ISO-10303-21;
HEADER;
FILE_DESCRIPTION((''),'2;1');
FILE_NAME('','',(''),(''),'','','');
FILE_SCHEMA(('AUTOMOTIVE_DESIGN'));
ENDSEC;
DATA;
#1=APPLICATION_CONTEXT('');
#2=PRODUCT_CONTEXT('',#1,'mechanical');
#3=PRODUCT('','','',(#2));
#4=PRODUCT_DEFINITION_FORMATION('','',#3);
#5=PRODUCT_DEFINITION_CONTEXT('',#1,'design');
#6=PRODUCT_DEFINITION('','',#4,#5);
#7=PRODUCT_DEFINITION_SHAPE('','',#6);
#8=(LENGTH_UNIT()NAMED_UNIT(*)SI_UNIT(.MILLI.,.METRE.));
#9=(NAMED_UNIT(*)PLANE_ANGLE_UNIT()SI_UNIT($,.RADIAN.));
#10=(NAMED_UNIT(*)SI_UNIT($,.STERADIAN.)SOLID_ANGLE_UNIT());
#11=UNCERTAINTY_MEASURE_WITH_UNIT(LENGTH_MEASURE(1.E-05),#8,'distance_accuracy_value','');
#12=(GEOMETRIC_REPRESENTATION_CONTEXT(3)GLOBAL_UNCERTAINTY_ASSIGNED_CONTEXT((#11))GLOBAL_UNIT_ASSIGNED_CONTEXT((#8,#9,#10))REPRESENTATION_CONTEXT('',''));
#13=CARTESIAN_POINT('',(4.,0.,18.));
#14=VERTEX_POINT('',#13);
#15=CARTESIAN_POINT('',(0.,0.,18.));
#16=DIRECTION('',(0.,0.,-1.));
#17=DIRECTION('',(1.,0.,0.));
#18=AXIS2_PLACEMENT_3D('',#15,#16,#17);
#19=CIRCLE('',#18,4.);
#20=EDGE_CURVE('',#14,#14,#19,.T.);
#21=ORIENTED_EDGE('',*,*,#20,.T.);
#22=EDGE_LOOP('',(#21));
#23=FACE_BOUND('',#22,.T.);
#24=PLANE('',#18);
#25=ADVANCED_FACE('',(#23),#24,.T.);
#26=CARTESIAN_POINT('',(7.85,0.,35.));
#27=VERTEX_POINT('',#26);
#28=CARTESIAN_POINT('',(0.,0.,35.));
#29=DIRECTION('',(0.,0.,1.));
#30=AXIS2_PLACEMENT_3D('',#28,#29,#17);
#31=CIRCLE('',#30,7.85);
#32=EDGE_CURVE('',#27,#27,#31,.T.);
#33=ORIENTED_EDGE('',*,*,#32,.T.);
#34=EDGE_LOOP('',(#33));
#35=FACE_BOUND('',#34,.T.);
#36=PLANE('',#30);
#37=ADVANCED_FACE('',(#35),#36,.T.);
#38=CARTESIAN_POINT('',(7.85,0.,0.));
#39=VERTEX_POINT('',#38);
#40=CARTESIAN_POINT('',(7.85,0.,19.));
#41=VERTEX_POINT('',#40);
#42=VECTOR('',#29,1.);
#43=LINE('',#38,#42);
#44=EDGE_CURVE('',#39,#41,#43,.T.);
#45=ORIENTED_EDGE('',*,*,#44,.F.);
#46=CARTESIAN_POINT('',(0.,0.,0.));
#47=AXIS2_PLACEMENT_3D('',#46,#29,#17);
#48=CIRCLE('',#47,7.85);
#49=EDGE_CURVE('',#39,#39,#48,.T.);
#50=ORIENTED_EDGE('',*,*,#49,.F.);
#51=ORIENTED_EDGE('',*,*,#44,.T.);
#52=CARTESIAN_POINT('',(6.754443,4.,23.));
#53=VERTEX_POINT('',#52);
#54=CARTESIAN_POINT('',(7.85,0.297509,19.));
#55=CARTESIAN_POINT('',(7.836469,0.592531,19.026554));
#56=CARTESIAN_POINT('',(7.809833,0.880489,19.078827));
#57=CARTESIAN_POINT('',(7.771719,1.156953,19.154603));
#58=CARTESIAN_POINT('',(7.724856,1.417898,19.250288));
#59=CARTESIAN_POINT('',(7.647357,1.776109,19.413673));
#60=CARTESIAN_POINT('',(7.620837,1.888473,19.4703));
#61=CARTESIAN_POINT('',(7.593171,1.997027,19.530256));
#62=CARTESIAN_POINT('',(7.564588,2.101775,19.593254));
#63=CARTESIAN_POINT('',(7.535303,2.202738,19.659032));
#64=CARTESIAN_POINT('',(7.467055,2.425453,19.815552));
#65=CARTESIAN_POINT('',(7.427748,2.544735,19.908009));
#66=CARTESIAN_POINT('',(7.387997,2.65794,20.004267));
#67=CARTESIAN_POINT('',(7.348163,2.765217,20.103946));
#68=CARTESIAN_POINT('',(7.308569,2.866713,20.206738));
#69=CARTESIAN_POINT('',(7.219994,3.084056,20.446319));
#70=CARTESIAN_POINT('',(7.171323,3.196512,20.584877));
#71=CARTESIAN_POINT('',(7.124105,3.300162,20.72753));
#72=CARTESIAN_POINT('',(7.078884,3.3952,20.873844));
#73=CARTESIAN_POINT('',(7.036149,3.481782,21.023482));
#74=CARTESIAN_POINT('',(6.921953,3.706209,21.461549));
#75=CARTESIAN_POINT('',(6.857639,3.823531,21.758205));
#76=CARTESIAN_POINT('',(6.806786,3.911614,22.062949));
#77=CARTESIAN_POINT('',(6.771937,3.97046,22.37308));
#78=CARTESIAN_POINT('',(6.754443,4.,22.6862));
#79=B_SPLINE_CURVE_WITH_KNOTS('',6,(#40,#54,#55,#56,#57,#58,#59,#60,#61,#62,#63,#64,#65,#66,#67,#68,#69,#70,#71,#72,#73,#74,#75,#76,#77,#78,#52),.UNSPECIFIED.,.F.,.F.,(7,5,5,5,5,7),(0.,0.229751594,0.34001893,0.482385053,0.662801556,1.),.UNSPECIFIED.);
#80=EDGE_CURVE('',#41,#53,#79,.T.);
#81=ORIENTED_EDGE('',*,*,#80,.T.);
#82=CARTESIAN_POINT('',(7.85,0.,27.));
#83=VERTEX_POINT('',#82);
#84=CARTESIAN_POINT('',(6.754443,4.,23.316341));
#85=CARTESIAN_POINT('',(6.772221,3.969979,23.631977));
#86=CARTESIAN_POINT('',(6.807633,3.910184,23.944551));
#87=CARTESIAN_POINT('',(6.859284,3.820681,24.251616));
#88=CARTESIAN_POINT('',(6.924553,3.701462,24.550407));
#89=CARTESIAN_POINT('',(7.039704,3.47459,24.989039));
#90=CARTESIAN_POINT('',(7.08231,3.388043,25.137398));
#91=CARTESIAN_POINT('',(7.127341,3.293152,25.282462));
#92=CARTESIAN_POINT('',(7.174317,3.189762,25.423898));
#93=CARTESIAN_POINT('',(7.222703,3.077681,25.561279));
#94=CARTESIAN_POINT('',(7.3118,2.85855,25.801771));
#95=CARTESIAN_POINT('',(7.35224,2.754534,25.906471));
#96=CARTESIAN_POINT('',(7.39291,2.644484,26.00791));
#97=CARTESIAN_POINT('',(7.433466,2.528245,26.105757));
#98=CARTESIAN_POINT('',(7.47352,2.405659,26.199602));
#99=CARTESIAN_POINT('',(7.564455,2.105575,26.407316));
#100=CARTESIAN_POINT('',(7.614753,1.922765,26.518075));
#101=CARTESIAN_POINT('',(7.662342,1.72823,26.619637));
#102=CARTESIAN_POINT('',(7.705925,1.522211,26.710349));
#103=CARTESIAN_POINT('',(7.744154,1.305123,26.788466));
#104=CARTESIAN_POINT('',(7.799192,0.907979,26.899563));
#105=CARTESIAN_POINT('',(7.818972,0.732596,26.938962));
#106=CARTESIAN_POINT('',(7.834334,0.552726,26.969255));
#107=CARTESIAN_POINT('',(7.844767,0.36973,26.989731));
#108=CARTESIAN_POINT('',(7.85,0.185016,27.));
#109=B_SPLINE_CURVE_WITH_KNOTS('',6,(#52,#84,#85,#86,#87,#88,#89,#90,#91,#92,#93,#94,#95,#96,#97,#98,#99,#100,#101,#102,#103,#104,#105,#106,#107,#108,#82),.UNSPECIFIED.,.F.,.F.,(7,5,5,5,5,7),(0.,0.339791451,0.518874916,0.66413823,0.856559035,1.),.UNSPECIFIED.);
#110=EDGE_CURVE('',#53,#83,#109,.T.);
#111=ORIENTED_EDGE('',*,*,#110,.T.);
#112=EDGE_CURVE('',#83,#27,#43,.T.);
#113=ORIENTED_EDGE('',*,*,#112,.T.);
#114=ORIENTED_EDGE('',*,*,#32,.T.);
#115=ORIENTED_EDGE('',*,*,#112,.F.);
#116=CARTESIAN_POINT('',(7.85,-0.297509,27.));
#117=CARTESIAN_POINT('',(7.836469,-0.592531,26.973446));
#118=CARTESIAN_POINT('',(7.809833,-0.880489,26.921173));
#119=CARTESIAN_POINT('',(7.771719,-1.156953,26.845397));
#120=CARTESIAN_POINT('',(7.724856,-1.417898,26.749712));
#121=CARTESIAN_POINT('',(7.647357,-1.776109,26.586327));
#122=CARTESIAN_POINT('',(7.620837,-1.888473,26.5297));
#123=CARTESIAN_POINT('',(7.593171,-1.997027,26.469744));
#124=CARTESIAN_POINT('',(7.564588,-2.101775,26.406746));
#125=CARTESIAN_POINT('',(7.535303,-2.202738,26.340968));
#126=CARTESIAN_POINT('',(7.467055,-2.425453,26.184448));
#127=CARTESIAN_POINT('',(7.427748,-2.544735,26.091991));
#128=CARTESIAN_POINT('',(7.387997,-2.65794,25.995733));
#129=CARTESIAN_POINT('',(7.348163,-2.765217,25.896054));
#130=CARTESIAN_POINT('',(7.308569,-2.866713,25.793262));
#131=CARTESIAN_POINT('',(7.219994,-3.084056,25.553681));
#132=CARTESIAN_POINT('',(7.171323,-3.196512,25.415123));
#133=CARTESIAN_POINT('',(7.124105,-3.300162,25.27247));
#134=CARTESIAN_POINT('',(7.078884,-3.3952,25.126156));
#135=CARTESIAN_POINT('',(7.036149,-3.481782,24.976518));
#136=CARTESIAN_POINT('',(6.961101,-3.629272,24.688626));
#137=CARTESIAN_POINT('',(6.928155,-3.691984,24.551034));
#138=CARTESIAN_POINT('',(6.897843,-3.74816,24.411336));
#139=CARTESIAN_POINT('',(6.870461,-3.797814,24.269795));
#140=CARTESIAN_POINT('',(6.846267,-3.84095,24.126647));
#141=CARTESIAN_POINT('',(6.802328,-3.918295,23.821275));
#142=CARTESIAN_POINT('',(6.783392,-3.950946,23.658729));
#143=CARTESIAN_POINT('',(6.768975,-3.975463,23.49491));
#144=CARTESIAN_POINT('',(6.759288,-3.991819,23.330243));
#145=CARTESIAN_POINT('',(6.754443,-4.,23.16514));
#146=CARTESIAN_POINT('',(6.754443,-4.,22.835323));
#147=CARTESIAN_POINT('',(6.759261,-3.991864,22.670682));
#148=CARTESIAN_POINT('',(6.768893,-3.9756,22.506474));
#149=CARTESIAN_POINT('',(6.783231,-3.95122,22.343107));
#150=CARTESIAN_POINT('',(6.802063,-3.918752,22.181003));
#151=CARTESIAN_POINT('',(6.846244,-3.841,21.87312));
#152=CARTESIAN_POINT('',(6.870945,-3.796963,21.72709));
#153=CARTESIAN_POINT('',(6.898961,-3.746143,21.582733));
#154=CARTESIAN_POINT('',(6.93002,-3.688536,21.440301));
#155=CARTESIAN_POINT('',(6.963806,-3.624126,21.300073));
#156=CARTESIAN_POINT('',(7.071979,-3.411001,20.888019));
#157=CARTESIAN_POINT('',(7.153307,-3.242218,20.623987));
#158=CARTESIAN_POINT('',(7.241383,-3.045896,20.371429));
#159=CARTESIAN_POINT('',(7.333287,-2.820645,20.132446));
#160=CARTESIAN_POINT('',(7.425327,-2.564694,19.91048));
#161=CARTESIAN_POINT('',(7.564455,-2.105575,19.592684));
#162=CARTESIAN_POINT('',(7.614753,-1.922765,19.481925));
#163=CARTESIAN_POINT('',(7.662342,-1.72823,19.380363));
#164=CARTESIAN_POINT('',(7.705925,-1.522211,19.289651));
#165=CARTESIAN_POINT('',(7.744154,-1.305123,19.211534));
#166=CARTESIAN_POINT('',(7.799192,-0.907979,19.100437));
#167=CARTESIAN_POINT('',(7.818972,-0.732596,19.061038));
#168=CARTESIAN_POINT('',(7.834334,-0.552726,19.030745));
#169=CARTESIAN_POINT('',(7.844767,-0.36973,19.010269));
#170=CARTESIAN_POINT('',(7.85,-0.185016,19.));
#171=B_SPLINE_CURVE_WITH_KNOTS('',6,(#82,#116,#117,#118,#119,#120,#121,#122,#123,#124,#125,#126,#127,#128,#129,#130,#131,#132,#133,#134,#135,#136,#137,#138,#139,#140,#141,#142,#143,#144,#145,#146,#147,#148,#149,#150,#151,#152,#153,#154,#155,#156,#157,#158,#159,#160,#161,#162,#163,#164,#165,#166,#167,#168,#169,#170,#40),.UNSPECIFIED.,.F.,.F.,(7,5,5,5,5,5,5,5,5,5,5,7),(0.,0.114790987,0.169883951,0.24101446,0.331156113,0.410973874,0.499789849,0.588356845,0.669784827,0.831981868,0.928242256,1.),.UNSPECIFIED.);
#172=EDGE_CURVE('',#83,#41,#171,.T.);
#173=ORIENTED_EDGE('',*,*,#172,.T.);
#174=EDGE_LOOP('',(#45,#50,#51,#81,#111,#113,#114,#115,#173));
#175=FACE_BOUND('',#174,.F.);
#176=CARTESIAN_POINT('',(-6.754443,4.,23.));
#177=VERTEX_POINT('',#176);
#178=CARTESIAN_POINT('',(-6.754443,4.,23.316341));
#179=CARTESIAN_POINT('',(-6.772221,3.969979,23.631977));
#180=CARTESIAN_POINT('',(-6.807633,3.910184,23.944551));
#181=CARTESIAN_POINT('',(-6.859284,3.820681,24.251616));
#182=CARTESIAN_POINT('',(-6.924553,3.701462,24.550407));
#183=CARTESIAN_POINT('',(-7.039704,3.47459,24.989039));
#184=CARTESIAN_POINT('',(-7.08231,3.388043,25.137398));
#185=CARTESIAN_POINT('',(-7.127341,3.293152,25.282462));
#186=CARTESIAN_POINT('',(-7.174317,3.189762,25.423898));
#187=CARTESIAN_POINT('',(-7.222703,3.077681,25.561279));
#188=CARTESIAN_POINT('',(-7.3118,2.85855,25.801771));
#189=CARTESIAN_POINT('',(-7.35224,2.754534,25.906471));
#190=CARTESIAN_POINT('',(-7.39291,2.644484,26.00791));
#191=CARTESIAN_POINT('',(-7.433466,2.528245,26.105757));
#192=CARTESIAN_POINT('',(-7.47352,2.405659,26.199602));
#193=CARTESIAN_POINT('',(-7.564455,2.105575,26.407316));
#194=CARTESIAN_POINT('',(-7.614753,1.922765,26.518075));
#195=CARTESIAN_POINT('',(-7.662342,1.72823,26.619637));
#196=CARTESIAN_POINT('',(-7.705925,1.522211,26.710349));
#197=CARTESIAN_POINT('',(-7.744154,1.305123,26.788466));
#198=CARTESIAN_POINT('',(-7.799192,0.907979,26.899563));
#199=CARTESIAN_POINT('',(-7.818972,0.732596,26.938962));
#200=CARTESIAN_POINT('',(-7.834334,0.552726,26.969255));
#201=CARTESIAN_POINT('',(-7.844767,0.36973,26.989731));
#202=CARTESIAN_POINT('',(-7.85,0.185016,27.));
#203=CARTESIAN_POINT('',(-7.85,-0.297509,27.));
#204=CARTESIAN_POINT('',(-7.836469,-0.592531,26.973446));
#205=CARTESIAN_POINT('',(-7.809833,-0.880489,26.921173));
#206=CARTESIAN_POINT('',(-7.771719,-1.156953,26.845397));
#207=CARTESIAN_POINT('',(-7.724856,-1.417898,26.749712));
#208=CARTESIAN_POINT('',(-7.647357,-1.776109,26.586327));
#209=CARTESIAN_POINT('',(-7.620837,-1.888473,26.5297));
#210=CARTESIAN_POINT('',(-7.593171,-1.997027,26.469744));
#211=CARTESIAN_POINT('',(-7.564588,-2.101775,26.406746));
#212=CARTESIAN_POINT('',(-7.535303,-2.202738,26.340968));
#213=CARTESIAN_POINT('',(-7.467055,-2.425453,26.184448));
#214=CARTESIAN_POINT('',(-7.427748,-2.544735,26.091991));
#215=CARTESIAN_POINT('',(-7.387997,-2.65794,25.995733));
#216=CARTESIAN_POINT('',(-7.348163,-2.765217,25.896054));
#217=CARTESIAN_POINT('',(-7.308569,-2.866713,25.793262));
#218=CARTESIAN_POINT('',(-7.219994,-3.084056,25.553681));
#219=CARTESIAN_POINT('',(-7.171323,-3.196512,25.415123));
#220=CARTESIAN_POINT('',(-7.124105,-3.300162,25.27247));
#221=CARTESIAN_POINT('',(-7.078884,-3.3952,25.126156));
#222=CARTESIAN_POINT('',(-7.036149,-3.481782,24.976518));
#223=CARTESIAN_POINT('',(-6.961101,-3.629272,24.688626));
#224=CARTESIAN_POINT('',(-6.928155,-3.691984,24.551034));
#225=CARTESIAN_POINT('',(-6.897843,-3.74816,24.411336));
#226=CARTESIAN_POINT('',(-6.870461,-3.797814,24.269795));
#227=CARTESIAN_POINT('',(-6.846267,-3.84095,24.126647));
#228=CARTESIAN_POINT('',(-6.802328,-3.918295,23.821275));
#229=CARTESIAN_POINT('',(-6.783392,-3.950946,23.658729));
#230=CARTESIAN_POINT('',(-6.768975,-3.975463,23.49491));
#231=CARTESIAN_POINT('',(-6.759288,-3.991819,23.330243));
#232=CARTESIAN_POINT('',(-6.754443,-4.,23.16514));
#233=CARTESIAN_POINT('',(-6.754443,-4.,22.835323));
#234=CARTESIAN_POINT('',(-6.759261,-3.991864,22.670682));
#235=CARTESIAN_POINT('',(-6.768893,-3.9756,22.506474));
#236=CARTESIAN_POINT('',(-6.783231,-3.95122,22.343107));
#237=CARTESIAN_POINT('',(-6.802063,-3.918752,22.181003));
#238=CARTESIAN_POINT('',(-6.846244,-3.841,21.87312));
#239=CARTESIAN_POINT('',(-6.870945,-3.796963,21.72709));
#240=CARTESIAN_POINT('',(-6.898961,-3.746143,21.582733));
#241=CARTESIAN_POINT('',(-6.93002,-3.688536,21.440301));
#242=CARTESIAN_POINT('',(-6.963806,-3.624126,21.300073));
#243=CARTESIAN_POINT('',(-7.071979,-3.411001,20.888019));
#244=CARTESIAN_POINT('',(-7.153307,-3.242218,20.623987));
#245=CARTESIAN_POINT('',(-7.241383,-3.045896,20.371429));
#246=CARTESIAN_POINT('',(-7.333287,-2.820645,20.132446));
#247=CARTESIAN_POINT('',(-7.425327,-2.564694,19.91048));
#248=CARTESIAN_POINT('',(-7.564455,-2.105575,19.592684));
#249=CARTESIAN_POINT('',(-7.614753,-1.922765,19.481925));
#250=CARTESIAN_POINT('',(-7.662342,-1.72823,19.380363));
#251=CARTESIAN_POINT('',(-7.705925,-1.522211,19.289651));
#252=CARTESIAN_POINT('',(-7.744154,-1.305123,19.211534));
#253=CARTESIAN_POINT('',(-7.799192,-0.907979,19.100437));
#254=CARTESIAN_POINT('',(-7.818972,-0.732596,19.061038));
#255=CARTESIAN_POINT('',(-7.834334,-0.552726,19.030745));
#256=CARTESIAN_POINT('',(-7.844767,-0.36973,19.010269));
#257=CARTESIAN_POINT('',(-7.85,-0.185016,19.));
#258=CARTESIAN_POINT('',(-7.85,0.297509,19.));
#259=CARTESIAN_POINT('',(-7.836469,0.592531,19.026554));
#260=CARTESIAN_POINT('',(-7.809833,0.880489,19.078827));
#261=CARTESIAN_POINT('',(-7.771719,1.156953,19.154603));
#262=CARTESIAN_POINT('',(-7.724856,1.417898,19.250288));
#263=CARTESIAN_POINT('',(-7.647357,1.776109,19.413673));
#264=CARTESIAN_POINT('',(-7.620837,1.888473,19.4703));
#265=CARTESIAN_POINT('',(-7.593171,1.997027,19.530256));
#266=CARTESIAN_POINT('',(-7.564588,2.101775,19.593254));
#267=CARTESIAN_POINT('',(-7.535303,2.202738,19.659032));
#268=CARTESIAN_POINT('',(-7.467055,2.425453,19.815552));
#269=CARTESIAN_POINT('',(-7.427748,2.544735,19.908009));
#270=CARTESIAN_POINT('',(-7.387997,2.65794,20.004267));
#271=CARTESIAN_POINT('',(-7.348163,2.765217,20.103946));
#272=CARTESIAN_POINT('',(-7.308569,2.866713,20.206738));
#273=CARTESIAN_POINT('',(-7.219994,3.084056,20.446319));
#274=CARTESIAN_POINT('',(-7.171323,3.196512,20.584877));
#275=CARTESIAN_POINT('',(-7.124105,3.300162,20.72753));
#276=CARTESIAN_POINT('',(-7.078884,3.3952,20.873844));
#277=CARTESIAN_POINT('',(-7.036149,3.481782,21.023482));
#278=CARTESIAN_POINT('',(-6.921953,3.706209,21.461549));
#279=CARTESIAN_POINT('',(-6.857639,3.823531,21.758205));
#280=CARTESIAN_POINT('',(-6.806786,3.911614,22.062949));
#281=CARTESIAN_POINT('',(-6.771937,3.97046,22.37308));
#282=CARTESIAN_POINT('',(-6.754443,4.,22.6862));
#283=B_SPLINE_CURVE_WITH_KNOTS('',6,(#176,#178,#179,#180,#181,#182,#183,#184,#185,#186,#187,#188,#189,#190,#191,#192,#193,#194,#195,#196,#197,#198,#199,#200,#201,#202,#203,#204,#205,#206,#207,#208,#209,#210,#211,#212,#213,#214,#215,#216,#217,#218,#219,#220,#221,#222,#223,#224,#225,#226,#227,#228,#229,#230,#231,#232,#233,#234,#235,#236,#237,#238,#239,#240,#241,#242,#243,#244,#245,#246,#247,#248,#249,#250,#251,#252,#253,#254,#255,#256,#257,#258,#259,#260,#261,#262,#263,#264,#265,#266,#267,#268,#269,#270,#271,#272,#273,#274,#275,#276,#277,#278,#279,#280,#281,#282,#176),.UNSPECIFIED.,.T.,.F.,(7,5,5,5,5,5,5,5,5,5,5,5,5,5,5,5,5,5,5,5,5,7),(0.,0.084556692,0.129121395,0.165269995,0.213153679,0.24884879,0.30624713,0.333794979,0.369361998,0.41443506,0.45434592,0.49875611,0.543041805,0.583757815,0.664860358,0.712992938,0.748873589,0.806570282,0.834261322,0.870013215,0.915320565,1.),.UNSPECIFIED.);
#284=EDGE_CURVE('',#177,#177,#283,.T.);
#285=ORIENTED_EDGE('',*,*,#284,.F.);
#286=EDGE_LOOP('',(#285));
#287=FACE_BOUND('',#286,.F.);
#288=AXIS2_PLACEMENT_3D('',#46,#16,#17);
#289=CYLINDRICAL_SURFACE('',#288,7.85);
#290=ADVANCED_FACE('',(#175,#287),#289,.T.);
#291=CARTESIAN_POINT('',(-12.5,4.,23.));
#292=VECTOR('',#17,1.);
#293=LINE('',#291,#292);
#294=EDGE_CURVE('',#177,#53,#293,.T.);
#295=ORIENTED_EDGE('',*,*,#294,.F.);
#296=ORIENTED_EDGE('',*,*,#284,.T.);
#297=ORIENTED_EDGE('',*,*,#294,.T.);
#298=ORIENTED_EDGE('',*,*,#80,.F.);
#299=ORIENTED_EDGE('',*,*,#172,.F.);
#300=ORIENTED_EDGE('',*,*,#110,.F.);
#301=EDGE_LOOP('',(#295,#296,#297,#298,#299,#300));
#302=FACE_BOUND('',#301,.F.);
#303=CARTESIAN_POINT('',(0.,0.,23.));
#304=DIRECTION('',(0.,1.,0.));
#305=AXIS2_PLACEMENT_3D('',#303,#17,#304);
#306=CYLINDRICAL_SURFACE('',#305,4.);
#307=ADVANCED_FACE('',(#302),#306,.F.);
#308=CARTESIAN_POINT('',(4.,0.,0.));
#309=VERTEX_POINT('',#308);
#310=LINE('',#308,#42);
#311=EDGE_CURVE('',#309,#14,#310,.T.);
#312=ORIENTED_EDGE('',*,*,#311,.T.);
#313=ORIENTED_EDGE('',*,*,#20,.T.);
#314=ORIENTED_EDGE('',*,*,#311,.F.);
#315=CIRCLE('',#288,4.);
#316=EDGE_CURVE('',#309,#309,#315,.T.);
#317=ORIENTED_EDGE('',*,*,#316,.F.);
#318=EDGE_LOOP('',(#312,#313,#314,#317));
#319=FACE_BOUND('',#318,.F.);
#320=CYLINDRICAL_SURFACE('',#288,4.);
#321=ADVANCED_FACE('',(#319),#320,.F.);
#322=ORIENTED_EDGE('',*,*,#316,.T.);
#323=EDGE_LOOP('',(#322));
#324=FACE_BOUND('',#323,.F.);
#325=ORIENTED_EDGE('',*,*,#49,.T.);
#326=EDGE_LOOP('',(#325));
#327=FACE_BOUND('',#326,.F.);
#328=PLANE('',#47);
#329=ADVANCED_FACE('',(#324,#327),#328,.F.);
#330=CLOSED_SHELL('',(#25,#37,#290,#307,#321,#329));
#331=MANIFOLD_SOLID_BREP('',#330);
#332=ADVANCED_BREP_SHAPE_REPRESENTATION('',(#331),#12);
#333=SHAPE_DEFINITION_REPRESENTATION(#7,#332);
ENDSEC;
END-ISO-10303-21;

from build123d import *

# Parameters (mm, degrees)
F0_R     = 7.85
F1_DEPTH = 35
F2_R     = 4
F3_DEPTH = 12.5
F4_R     = 4
F5_DEPTH = 18


with BuildPart() as f1:
    # F0 (on Top) → F1 (new body)
    with BuildSketch(Plane.XY):
        Circle(F0_R)
    extrude(amount=F1_DEPTH)

    # F2 (on Right) → F3 (cut, symmetric)
    with BuildSketch(Plane.YZ):
        with Locations((0, 23)):
            Circle(F2_R)
    extrude(amount=F3_DEPTH, both=True, mode=Mode.SUBTRACT)

    # F4 (on face) → F5 (cut)
    with BuildSketch(Plane(origin=(0, 0, 0), x_dir=(1, 0, 0), z_dir=(0, 0, -1))):
        Circle(F4_R)
    extrude(amount=-F5_DEPTH, mode=Mode.SUBTRACT)


solid = f1.part
